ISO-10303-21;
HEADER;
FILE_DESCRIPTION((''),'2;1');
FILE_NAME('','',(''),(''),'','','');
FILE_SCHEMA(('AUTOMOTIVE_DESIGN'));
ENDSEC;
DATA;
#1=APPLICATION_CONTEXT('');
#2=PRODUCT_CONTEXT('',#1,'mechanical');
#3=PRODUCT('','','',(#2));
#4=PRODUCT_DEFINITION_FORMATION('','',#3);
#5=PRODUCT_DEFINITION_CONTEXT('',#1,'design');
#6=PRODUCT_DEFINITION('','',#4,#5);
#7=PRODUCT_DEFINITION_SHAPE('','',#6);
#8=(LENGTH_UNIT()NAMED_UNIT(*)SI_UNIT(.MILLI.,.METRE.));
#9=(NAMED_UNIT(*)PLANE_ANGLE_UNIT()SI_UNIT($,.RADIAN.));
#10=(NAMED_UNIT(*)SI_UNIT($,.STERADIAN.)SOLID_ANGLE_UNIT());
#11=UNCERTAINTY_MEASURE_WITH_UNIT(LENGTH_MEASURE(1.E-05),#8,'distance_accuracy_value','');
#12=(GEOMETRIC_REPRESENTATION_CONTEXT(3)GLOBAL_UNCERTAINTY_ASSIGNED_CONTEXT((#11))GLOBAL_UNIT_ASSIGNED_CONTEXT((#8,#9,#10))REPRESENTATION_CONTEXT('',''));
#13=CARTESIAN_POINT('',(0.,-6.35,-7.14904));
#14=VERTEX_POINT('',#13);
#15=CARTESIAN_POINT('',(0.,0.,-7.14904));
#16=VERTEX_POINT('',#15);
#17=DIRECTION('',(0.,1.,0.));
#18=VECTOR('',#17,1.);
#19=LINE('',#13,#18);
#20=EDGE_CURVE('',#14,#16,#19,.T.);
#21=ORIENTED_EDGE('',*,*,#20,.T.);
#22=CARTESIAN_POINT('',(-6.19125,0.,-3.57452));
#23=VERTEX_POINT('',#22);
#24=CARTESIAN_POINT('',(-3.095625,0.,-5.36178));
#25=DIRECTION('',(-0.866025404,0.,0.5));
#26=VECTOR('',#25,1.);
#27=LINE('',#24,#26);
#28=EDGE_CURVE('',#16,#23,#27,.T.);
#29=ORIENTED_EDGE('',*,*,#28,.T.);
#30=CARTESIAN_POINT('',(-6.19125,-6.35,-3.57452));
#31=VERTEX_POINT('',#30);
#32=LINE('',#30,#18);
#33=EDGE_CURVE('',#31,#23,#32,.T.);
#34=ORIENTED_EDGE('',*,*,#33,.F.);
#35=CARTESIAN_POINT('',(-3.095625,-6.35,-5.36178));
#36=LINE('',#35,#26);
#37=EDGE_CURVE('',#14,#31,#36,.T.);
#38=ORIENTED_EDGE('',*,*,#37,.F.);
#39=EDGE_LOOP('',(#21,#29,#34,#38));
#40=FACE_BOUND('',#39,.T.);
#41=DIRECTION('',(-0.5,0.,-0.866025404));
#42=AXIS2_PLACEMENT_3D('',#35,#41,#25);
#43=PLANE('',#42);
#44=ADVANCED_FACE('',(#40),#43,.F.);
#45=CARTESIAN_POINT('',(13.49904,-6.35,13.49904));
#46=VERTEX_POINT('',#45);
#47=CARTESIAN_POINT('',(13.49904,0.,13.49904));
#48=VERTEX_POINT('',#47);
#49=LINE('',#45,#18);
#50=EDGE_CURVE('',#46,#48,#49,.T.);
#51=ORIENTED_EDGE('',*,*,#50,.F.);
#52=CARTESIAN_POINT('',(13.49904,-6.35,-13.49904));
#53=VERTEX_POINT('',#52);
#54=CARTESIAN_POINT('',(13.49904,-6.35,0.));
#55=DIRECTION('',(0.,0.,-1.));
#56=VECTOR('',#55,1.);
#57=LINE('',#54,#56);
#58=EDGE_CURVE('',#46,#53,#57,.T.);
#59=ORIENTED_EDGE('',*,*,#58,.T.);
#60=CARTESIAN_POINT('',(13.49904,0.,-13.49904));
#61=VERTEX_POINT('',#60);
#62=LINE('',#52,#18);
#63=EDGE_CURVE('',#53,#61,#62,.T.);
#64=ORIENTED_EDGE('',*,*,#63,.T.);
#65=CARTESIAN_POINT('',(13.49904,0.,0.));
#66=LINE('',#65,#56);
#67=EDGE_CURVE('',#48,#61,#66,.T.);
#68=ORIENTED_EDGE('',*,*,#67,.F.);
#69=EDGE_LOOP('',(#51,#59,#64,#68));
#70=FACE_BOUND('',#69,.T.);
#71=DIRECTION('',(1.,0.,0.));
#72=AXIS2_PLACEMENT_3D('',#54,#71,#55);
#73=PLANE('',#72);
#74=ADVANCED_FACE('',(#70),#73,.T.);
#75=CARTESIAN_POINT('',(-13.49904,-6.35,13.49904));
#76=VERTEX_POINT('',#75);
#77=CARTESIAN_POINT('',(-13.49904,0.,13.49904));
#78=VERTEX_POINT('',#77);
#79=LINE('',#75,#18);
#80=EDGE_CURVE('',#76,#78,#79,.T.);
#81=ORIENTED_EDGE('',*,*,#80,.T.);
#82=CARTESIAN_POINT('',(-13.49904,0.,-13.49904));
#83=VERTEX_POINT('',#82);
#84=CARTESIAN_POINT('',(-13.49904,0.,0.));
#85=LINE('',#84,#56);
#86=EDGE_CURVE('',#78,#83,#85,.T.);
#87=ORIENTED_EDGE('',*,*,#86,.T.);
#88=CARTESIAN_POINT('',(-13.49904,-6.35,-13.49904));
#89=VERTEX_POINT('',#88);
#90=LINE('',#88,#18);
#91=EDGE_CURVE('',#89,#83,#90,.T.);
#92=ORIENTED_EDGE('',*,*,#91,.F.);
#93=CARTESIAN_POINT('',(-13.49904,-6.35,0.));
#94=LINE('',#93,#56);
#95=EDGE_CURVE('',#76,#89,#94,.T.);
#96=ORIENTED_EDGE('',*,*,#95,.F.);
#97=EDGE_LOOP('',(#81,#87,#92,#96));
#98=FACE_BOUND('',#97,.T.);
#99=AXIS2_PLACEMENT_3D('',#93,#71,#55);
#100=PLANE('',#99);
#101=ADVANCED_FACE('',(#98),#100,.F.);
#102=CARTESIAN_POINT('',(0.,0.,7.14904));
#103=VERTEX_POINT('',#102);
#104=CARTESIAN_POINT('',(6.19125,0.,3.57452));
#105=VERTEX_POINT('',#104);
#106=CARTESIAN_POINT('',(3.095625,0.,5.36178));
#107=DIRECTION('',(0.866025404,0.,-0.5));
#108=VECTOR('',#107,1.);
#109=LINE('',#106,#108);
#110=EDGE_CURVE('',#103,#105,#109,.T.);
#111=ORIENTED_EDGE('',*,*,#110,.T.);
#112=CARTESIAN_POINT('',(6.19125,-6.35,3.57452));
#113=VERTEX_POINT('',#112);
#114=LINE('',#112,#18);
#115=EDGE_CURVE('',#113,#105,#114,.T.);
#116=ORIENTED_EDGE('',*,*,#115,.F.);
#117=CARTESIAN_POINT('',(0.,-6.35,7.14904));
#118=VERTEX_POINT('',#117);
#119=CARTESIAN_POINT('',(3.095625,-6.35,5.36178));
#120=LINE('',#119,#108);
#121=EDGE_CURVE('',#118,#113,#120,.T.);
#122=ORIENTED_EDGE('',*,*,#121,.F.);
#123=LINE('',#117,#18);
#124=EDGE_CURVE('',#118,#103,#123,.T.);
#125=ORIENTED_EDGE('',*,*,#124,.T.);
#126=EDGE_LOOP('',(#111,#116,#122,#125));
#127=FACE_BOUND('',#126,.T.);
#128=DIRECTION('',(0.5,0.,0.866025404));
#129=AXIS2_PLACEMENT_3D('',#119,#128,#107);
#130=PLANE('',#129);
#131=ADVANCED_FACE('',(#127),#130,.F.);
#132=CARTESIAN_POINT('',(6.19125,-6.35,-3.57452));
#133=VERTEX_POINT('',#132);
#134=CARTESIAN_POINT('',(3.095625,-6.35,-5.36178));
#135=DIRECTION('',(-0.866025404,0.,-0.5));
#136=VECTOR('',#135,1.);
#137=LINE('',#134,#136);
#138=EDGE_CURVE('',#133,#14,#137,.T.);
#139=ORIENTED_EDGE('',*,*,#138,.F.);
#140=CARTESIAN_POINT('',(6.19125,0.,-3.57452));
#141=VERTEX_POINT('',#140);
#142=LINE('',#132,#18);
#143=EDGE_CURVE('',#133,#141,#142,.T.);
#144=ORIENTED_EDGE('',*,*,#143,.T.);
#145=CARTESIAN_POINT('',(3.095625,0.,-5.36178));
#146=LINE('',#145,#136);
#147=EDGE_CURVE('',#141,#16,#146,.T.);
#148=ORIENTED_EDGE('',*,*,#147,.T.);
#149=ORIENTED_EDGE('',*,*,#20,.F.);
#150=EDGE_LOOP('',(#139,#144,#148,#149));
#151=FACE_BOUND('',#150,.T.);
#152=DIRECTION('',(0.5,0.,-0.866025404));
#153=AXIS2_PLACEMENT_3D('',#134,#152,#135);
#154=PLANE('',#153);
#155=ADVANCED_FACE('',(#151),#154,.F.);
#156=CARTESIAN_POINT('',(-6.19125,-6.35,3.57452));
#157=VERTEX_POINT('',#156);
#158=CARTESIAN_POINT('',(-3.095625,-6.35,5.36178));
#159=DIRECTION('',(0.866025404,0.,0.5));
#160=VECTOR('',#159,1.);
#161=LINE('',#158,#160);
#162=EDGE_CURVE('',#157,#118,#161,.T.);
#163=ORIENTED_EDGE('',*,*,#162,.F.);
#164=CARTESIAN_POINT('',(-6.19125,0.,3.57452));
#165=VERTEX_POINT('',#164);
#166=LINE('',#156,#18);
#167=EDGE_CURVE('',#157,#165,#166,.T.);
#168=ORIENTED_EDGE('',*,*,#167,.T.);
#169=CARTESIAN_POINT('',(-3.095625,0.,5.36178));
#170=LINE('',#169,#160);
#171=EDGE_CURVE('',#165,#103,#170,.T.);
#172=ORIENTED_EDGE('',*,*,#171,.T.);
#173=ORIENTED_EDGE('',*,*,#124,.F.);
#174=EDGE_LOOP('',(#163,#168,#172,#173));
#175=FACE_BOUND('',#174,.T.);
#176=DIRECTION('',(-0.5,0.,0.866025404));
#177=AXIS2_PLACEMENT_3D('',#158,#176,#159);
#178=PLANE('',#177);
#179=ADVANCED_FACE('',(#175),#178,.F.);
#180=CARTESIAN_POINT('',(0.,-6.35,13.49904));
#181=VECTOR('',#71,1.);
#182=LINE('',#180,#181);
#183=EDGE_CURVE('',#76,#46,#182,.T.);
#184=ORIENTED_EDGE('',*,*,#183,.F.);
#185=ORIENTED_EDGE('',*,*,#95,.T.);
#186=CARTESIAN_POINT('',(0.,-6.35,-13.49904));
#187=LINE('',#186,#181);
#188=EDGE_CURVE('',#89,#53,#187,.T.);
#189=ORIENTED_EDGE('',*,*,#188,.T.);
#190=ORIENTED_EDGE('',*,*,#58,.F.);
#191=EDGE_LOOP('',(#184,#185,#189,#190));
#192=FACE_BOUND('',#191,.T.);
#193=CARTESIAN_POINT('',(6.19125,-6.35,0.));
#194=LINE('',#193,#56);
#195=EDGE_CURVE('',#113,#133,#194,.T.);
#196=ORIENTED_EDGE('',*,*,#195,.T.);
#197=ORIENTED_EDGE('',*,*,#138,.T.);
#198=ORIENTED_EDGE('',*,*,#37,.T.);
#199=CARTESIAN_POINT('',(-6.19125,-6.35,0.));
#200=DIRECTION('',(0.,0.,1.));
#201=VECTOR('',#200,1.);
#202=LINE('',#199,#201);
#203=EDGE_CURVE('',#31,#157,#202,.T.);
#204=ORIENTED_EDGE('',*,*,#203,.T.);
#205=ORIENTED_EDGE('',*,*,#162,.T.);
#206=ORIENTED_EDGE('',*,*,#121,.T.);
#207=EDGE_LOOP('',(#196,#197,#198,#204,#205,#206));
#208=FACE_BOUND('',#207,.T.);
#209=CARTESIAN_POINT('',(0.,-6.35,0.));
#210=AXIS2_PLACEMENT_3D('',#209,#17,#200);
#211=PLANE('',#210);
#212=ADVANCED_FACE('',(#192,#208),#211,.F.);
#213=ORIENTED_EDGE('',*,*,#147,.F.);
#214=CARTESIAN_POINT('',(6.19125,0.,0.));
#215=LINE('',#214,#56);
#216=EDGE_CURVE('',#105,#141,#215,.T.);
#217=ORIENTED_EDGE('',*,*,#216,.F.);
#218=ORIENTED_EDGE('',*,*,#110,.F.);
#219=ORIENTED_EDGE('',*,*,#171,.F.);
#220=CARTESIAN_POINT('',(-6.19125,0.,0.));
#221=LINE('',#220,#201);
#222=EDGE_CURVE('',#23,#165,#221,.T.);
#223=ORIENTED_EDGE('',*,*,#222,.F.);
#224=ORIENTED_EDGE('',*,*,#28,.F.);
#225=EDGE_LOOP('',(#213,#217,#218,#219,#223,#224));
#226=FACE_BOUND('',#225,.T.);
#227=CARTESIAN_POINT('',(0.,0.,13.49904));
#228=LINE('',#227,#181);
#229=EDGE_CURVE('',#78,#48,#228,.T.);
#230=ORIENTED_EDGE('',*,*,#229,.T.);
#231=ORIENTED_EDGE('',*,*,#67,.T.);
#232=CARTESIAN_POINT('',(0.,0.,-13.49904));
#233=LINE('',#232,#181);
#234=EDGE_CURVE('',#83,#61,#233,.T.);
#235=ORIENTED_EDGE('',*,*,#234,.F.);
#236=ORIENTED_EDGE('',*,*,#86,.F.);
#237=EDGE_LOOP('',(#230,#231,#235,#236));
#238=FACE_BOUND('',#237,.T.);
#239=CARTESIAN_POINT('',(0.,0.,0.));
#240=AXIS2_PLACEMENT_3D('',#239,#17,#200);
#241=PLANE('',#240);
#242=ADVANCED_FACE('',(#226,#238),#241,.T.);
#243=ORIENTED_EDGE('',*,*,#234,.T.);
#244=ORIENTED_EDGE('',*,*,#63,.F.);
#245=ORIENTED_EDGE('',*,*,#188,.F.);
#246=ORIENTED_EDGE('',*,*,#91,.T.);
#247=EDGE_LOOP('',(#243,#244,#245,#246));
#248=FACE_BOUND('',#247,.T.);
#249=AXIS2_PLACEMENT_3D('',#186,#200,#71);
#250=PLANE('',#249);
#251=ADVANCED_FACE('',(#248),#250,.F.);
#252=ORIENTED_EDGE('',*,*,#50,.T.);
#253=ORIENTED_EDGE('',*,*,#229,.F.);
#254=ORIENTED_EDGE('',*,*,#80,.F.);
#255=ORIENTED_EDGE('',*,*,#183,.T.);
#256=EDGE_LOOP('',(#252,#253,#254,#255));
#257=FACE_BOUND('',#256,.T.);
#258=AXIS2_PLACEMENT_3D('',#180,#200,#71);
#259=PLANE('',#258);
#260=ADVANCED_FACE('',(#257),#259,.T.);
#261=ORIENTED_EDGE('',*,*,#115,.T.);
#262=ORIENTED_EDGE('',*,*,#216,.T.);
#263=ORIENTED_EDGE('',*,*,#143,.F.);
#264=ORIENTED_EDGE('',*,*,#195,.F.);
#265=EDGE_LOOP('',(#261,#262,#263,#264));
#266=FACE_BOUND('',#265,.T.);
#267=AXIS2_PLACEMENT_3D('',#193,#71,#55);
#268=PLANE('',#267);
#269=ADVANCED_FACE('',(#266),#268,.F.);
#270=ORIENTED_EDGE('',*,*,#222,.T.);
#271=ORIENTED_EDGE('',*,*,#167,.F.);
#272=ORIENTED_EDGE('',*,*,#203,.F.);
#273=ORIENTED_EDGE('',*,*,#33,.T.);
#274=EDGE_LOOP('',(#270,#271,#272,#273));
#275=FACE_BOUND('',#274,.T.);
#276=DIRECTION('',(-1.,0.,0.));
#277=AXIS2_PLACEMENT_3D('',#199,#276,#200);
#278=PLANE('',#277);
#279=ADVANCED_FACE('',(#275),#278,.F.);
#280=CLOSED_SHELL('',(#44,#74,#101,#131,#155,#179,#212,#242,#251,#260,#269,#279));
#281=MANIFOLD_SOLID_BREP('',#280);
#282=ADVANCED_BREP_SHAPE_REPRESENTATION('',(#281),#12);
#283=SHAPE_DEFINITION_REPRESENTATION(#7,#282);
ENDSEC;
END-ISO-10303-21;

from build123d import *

# Parameters (mm, degrees)
SKETCH1_W           = 26.998079416
SKETCH1_H           = 26.998079416
BOSS_EXTRUDE1_DEPTH = 6.35


with BuildPart() as part:
    # Sketch1 → Boss-Extrude1 (new body)
    with BuildSketch(Plane(origin=(0, 0, 0), x_dir=(1, 0, 0), z_dir=(0, 1, 0))):
        Rectangle(SKETCH1_W, SKETCH1_H)
        Polygon((6.19125, 3.574519854), (0, 7.149039708), (-6.19125, 3.574519854), (-6.19125, -3.574519854), (0, -7.149039708), (6.19125, -3.574519854), align=None, mode=Mode.SUBTRACT)
    extrude(amount=-BOSS_EXTRUDE1_DEPTH)


solid = part.part
